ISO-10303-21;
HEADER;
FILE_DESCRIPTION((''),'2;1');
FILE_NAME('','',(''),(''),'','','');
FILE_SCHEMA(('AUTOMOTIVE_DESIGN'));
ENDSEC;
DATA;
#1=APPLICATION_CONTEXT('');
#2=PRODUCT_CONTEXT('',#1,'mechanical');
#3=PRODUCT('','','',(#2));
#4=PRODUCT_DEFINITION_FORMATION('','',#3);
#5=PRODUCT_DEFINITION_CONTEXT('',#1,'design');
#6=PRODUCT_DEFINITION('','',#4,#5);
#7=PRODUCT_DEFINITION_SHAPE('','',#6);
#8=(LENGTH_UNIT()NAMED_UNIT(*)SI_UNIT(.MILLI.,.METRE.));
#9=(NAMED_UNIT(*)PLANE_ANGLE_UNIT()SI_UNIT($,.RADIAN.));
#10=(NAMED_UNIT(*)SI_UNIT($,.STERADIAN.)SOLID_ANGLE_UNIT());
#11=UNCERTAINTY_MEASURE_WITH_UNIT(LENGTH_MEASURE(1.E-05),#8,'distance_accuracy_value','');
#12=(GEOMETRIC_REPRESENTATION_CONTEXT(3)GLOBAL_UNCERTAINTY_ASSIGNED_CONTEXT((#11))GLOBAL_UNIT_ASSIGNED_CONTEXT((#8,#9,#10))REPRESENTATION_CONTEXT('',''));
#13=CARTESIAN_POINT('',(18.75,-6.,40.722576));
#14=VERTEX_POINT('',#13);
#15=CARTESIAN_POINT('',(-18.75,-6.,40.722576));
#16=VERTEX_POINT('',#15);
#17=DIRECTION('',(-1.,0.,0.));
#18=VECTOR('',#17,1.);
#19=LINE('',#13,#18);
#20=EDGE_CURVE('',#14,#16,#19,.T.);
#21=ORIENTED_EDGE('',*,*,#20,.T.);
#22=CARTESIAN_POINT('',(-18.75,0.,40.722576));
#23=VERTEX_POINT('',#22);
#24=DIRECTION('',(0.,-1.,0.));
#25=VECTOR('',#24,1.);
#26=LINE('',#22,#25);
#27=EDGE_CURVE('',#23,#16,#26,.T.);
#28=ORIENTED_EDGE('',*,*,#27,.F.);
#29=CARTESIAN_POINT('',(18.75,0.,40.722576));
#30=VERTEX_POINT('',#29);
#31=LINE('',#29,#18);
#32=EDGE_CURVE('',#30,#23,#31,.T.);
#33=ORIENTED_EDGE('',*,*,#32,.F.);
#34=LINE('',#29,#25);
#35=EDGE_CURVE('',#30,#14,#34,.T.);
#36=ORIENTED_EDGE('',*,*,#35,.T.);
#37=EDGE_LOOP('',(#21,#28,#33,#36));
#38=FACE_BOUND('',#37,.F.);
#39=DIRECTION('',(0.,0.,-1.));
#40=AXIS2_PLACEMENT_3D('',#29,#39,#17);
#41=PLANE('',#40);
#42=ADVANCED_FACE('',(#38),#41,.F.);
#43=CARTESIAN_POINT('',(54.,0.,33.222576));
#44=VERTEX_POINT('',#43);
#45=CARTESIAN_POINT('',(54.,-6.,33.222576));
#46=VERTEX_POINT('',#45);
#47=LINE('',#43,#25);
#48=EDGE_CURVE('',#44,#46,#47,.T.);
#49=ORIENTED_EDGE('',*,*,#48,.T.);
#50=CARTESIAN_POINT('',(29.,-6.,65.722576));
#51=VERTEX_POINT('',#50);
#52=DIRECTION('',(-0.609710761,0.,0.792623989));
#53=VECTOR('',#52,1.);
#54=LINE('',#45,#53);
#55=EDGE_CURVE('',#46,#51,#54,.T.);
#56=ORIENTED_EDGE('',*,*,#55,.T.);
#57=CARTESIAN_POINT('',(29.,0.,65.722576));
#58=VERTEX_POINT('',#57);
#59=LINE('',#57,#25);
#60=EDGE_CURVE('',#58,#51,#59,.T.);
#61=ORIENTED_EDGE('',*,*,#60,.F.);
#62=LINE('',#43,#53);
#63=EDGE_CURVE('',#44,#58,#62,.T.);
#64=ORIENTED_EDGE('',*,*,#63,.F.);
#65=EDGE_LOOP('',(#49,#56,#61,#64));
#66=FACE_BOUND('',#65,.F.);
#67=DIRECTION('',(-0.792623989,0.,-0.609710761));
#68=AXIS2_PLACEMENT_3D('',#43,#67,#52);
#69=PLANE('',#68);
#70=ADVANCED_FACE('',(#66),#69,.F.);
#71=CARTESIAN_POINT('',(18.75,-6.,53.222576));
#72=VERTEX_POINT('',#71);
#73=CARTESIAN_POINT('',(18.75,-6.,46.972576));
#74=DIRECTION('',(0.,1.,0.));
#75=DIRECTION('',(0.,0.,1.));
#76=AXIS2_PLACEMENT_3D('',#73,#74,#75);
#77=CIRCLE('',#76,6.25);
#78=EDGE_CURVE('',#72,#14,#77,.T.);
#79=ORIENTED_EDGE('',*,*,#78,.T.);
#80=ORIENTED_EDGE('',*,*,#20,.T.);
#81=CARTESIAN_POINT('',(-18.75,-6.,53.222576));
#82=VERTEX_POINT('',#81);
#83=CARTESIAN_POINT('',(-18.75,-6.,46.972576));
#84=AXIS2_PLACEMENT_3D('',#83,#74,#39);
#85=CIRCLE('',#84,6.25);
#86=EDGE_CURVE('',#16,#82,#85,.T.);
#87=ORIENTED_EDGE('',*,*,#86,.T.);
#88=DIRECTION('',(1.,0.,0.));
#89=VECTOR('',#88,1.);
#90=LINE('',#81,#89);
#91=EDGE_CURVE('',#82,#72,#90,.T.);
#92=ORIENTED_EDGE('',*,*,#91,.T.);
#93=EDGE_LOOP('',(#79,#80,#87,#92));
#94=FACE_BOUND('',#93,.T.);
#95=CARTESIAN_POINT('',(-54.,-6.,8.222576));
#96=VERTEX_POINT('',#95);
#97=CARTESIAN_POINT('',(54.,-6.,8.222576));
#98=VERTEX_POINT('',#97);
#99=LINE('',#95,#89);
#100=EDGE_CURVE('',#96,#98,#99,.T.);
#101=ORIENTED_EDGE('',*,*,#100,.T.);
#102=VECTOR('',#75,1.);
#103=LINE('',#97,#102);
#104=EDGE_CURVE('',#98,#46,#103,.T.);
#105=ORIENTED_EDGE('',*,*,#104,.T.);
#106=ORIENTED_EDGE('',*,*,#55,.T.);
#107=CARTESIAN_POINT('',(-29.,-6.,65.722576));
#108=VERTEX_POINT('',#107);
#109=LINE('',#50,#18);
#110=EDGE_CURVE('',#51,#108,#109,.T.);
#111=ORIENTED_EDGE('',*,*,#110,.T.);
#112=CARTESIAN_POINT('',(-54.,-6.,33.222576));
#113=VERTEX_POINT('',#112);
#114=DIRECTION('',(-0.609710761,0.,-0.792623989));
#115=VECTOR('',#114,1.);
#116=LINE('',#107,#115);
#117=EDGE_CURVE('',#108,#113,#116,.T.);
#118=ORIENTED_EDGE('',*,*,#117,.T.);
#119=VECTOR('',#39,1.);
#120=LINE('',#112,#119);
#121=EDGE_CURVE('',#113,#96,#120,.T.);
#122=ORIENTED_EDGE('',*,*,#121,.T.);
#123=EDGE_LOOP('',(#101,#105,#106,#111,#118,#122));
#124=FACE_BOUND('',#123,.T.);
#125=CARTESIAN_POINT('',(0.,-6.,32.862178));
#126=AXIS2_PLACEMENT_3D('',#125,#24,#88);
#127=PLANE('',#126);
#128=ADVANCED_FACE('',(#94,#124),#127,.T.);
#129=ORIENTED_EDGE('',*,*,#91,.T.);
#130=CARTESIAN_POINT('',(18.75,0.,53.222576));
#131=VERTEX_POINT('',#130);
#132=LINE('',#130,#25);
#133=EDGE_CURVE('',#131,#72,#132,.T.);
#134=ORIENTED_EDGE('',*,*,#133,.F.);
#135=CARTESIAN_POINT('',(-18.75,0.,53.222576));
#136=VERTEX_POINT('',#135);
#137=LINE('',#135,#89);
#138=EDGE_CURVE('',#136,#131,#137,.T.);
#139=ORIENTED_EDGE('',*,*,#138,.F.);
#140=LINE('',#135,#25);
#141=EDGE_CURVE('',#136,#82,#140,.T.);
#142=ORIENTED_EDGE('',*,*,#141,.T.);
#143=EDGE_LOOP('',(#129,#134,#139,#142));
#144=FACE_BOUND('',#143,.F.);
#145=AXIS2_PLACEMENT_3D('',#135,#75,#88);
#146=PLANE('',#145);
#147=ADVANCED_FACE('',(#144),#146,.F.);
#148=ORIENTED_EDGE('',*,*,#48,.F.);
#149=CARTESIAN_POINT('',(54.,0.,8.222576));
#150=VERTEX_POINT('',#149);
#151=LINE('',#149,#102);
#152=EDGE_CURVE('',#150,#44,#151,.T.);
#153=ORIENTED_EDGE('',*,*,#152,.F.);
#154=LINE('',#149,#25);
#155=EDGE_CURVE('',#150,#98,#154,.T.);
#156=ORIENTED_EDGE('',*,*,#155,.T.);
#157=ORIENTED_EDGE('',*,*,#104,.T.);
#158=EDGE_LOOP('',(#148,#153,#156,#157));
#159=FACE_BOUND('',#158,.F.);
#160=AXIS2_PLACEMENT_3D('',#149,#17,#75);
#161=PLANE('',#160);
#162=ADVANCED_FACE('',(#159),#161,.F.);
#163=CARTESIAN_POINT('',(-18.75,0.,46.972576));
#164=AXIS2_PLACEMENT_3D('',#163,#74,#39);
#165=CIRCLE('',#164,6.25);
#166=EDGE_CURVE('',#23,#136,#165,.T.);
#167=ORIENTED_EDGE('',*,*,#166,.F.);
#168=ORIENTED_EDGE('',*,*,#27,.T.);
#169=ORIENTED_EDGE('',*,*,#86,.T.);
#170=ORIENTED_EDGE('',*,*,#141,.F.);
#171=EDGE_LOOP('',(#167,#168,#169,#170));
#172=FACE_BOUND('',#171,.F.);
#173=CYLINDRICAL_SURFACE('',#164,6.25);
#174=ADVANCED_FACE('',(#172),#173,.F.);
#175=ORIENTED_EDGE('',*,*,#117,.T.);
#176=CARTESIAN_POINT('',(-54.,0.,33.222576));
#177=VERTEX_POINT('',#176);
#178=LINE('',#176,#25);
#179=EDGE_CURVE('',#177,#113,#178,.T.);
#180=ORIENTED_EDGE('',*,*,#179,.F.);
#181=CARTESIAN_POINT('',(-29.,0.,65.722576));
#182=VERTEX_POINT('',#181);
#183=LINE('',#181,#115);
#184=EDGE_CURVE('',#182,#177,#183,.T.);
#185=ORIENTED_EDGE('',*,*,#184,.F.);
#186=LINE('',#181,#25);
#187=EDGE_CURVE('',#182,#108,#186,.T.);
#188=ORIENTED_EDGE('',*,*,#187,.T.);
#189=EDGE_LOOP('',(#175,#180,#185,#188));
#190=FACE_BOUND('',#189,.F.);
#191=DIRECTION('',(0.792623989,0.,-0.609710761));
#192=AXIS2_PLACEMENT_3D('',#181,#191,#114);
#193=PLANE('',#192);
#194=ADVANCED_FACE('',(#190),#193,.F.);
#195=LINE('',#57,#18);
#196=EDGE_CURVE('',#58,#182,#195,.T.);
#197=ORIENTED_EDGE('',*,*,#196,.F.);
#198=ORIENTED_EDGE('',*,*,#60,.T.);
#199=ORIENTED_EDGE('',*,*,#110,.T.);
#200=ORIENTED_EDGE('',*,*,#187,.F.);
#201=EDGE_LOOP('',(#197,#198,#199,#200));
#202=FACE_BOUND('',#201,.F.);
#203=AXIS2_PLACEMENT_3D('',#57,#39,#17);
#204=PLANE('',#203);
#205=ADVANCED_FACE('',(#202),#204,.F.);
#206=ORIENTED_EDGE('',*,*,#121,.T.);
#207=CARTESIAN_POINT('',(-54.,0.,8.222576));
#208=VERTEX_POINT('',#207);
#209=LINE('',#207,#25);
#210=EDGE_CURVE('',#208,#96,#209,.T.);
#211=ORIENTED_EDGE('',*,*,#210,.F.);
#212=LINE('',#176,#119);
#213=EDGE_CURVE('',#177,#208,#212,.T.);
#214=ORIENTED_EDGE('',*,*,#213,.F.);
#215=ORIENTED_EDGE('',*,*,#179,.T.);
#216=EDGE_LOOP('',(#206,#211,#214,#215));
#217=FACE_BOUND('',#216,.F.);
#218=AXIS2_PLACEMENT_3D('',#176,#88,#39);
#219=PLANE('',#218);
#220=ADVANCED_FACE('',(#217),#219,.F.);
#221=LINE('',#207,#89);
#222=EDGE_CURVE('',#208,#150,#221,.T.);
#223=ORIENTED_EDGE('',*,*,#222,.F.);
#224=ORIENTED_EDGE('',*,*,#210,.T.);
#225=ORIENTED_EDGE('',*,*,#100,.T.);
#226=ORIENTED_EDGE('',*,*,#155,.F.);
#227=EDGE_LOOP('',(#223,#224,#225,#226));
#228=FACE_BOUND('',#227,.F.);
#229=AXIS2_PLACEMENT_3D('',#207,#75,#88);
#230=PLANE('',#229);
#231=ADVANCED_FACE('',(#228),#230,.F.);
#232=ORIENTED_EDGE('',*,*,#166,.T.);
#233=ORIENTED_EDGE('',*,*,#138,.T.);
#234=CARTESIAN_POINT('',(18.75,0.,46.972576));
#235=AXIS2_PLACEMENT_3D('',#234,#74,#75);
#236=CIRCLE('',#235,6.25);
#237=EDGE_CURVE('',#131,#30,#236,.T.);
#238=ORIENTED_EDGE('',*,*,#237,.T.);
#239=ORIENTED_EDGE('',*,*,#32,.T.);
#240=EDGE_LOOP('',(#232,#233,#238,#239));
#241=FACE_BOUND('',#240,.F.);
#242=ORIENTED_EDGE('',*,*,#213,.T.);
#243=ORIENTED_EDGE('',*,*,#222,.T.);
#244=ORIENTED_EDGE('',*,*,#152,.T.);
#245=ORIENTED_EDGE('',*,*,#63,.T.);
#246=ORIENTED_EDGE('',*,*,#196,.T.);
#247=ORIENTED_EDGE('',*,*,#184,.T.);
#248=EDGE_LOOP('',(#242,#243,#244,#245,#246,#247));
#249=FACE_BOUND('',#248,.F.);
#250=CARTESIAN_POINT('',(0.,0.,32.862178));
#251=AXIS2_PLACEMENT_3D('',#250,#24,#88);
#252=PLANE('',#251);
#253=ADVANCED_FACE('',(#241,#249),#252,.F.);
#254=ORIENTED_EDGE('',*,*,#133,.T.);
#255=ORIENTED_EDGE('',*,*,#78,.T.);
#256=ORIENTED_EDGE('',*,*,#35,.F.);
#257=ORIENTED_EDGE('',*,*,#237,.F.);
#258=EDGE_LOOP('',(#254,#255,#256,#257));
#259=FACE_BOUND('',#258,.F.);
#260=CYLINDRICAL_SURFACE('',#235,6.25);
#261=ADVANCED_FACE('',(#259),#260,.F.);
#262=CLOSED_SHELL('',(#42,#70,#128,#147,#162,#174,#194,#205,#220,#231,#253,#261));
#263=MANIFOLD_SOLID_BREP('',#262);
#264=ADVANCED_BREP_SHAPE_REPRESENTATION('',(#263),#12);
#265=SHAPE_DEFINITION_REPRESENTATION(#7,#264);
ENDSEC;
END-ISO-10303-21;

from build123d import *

# Parameters (mm, degrees)
F1_DEPTH = 6


with BuildPart() as f1:
    # F0 (on Front) → F1 (new body)
    with BuildSketch(Plane.XZ):
        Polygon((29, 65.722576), (-29, 65.722576), (-54, 33.222576), (-54, 8.222576), (54, 8.222576), (54, 33.222576), align=None)
        with BuildLine():
            ThreePointArc((-18.75, 40.722576), (-25, 46.972576), (-18.75, 53.222576))
            Line((-18.75, 53.222576), (18.75, 53.222576))
            ThreePointArc((18.75, 53.222576), (25, 46.972576), (18.75, 40.722576))
            Line((18.75, 40.722576), (-18.75, 40.722576))
        make_face(mode=Mode.SUBTRACT)
    extrude(amount=F1_DEPTH)


solid = f1.part
